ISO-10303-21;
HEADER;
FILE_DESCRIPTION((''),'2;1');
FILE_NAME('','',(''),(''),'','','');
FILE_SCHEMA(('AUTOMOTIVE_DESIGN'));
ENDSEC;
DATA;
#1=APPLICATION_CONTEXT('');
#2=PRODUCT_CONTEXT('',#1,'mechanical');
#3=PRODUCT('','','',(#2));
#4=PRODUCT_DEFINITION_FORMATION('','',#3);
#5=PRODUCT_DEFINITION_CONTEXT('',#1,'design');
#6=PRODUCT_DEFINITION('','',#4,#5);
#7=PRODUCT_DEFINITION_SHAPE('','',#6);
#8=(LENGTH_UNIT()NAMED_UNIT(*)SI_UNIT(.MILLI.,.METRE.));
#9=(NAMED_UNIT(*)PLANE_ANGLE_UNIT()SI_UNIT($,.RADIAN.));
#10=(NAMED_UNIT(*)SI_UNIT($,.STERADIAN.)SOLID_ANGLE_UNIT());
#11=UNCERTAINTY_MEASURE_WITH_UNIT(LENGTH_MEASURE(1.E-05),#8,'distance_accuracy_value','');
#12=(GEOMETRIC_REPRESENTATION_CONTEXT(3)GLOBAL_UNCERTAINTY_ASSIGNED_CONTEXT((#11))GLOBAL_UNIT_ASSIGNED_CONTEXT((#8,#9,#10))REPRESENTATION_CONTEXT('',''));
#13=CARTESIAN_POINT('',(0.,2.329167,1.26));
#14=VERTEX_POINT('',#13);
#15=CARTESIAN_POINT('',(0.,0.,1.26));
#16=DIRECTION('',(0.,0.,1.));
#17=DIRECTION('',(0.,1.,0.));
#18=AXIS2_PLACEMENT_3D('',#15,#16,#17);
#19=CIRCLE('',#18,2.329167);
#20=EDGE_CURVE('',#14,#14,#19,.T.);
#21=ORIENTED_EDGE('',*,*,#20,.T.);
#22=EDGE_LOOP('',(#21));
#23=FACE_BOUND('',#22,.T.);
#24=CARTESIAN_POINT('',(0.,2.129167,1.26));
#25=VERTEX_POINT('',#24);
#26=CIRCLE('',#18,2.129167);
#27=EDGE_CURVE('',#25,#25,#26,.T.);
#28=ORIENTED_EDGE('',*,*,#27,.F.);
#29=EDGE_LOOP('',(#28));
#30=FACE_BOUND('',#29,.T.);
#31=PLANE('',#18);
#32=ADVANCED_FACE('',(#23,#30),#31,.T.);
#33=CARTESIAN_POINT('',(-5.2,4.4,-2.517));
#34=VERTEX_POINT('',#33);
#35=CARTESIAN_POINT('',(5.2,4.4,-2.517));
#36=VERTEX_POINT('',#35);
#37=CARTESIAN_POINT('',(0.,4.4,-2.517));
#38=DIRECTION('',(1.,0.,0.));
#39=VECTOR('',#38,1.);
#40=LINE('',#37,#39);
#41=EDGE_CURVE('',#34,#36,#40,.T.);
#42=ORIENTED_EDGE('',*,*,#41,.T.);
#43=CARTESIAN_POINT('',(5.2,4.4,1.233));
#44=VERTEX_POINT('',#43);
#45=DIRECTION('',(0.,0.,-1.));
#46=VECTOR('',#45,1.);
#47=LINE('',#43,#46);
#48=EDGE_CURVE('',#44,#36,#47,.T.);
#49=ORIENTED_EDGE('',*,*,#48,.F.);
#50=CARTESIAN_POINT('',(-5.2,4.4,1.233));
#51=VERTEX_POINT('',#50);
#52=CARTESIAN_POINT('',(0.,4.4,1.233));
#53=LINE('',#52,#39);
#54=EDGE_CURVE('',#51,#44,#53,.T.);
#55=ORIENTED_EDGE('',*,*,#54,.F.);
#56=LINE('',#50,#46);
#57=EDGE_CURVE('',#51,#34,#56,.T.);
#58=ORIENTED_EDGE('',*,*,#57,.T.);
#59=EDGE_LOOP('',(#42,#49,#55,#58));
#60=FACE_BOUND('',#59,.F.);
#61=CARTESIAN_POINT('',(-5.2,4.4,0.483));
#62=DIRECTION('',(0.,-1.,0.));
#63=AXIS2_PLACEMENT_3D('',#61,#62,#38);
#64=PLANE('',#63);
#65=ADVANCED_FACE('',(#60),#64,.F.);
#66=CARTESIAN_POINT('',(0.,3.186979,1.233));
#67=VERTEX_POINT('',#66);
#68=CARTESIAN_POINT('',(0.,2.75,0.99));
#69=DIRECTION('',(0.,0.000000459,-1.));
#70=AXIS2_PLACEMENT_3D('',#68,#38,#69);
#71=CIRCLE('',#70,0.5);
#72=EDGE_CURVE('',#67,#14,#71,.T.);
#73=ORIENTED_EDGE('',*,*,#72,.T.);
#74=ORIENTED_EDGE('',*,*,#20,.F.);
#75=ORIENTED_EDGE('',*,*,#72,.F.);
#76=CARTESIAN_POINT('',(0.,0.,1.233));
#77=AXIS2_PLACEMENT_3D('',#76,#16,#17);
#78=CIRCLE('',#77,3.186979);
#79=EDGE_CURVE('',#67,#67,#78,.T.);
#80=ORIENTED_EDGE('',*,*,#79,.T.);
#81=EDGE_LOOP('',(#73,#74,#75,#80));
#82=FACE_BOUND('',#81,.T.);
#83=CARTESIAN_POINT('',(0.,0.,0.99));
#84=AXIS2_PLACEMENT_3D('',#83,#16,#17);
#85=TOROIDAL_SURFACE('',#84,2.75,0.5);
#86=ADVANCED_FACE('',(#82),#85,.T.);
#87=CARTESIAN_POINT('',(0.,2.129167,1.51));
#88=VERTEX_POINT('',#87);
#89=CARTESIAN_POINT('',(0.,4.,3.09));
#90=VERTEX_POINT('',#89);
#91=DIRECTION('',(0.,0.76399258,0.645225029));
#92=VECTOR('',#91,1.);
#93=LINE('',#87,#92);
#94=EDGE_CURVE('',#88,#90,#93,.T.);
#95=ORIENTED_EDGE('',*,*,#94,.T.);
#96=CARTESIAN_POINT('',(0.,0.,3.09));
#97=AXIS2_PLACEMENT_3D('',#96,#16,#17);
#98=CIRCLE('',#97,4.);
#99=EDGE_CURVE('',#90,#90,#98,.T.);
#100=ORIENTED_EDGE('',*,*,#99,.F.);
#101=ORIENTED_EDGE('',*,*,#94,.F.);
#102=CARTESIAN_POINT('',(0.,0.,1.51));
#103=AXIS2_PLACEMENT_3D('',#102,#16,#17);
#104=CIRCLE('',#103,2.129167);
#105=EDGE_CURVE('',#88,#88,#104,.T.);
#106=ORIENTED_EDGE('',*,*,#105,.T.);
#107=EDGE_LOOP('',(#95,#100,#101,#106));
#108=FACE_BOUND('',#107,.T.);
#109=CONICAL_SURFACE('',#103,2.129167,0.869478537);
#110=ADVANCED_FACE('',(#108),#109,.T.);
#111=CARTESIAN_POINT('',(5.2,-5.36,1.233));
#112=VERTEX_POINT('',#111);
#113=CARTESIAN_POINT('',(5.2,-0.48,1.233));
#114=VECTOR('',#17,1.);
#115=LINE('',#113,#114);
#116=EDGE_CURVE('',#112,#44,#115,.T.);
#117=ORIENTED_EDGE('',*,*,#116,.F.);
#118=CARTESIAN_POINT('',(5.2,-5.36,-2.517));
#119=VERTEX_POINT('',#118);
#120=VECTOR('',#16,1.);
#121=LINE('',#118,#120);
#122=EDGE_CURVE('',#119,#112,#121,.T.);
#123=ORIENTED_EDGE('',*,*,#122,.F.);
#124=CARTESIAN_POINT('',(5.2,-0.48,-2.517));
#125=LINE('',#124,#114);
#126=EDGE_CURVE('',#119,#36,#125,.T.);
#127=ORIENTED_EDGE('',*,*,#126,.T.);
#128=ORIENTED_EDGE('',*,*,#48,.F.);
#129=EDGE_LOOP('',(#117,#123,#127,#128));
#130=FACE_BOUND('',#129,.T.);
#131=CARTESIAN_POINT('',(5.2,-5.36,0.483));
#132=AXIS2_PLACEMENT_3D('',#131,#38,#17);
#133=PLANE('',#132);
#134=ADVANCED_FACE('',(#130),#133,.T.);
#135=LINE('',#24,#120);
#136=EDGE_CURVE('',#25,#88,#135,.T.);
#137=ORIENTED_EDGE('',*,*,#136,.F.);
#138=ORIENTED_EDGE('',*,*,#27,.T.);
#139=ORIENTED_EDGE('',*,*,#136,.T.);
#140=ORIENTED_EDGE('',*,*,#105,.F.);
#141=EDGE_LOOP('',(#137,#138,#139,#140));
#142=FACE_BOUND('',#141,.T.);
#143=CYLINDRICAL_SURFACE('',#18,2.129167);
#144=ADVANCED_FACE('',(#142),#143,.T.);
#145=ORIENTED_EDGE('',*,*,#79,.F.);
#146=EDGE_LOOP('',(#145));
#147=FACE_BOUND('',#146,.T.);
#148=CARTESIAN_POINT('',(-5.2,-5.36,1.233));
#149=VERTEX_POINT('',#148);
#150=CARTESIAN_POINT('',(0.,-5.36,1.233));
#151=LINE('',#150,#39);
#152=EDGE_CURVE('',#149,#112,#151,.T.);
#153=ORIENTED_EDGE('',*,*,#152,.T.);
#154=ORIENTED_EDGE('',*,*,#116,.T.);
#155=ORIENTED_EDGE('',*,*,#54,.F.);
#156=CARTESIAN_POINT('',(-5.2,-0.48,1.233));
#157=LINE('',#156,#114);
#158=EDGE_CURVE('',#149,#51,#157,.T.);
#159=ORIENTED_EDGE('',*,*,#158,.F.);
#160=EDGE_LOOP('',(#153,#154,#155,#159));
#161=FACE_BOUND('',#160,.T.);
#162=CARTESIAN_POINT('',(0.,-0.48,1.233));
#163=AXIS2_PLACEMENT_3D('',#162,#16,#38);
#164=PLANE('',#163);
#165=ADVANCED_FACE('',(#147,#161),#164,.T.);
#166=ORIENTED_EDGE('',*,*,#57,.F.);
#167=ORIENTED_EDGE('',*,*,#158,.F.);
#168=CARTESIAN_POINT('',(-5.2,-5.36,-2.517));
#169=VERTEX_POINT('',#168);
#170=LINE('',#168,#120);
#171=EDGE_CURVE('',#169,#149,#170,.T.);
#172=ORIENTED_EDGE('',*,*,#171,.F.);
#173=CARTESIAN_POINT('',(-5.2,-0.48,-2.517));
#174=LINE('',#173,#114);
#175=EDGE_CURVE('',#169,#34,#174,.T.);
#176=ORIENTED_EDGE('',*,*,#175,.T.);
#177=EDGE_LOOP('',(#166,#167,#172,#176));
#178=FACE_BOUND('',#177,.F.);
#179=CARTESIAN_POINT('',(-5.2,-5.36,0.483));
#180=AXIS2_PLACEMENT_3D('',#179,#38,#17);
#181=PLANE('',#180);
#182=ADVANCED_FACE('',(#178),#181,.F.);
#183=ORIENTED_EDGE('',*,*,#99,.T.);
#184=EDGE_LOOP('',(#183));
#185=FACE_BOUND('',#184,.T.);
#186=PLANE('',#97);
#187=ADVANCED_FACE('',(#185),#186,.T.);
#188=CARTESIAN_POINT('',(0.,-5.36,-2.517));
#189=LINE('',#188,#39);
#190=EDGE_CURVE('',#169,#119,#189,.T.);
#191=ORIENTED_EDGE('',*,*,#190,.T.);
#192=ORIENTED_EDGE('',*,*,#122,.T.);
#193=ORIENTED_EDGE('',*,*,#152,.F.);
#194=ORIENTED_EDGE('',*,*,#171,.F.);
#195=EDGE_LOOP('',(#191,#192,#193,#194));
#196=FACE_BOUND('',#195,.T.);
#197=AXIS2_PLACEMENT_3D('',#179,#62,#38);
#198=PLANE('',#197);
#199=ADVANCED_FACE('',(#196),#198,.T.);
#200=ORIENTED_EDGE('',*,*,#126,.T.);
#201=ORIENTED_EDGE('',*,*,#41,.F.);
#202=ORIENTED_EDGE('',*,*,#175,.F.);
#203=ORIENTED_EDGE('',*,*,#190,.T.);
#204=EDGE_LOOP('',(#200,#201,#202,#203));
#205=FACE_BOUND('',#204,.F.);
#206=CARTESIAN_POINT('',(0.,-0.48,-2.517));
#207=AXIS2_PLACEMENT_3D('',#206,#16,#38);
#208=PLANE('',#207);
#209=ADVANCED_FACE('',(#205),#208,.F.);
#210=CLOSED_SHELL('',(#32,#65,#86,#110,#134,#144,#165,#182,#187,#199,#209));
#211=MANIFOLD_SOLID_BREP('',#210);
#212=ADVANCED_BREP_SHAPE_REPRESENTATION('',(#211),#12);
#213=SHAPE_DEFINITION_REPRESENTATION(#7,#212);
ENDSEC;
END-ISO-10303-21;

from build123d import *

# Parameters (mm, degrees)
SKETCH001_W    = 10.4
SKETCH001_H    = 9.76
PAD_DEPTH      = 0.75
PAD_DEPTH_BACK = 3


with BuildPart() as opening_revolve:
    # Sketch006 → Revolution (revolve)
    with BuildSketch(Plane.YZ):
        with BuildLine():
            Line((0, 0.49), (2.75, 0.49))
            ThreePointArc((2.75, 0.49), (3.188748, 1.229792), (2.329167, 1.26))
            Line((2.329167, 1.26), (2.129167, 1.26))
            Line((2.129167, 1.26), (2.129167, 1.51))
            Line((2.129167, 1.51), (4, 3.09))
            Line((4, 3.09), (0, 3.09))
            Line((0, 3.09), (0, 0.49))
        make_face()
    revolve(axis=Axis((0, 0, 0), (0, 0, 1)))


with BuildPart() as fusion:
    # Sketch001 → Pad (new body, two sides)
    with BuildSketch(Plane.XY) as pad_sk:
        with Locations((0, -0.48)):
            Rectangle(SKETCH001_W, SKETCH001_H)
    extrude(amount=PAD_DEPTH)
    extrude(pad_sk.sketch, amount=-PAD_DEPTH_BACK)


with BuildPart() as fusion_1:
    # Body001 placement: moved
    add(fusion.part.moved(Location((0, 0, 0.483))))

    # Fusion: union opening_revolve
    add(opening_revolve.part)


solid = fusion_1.part
